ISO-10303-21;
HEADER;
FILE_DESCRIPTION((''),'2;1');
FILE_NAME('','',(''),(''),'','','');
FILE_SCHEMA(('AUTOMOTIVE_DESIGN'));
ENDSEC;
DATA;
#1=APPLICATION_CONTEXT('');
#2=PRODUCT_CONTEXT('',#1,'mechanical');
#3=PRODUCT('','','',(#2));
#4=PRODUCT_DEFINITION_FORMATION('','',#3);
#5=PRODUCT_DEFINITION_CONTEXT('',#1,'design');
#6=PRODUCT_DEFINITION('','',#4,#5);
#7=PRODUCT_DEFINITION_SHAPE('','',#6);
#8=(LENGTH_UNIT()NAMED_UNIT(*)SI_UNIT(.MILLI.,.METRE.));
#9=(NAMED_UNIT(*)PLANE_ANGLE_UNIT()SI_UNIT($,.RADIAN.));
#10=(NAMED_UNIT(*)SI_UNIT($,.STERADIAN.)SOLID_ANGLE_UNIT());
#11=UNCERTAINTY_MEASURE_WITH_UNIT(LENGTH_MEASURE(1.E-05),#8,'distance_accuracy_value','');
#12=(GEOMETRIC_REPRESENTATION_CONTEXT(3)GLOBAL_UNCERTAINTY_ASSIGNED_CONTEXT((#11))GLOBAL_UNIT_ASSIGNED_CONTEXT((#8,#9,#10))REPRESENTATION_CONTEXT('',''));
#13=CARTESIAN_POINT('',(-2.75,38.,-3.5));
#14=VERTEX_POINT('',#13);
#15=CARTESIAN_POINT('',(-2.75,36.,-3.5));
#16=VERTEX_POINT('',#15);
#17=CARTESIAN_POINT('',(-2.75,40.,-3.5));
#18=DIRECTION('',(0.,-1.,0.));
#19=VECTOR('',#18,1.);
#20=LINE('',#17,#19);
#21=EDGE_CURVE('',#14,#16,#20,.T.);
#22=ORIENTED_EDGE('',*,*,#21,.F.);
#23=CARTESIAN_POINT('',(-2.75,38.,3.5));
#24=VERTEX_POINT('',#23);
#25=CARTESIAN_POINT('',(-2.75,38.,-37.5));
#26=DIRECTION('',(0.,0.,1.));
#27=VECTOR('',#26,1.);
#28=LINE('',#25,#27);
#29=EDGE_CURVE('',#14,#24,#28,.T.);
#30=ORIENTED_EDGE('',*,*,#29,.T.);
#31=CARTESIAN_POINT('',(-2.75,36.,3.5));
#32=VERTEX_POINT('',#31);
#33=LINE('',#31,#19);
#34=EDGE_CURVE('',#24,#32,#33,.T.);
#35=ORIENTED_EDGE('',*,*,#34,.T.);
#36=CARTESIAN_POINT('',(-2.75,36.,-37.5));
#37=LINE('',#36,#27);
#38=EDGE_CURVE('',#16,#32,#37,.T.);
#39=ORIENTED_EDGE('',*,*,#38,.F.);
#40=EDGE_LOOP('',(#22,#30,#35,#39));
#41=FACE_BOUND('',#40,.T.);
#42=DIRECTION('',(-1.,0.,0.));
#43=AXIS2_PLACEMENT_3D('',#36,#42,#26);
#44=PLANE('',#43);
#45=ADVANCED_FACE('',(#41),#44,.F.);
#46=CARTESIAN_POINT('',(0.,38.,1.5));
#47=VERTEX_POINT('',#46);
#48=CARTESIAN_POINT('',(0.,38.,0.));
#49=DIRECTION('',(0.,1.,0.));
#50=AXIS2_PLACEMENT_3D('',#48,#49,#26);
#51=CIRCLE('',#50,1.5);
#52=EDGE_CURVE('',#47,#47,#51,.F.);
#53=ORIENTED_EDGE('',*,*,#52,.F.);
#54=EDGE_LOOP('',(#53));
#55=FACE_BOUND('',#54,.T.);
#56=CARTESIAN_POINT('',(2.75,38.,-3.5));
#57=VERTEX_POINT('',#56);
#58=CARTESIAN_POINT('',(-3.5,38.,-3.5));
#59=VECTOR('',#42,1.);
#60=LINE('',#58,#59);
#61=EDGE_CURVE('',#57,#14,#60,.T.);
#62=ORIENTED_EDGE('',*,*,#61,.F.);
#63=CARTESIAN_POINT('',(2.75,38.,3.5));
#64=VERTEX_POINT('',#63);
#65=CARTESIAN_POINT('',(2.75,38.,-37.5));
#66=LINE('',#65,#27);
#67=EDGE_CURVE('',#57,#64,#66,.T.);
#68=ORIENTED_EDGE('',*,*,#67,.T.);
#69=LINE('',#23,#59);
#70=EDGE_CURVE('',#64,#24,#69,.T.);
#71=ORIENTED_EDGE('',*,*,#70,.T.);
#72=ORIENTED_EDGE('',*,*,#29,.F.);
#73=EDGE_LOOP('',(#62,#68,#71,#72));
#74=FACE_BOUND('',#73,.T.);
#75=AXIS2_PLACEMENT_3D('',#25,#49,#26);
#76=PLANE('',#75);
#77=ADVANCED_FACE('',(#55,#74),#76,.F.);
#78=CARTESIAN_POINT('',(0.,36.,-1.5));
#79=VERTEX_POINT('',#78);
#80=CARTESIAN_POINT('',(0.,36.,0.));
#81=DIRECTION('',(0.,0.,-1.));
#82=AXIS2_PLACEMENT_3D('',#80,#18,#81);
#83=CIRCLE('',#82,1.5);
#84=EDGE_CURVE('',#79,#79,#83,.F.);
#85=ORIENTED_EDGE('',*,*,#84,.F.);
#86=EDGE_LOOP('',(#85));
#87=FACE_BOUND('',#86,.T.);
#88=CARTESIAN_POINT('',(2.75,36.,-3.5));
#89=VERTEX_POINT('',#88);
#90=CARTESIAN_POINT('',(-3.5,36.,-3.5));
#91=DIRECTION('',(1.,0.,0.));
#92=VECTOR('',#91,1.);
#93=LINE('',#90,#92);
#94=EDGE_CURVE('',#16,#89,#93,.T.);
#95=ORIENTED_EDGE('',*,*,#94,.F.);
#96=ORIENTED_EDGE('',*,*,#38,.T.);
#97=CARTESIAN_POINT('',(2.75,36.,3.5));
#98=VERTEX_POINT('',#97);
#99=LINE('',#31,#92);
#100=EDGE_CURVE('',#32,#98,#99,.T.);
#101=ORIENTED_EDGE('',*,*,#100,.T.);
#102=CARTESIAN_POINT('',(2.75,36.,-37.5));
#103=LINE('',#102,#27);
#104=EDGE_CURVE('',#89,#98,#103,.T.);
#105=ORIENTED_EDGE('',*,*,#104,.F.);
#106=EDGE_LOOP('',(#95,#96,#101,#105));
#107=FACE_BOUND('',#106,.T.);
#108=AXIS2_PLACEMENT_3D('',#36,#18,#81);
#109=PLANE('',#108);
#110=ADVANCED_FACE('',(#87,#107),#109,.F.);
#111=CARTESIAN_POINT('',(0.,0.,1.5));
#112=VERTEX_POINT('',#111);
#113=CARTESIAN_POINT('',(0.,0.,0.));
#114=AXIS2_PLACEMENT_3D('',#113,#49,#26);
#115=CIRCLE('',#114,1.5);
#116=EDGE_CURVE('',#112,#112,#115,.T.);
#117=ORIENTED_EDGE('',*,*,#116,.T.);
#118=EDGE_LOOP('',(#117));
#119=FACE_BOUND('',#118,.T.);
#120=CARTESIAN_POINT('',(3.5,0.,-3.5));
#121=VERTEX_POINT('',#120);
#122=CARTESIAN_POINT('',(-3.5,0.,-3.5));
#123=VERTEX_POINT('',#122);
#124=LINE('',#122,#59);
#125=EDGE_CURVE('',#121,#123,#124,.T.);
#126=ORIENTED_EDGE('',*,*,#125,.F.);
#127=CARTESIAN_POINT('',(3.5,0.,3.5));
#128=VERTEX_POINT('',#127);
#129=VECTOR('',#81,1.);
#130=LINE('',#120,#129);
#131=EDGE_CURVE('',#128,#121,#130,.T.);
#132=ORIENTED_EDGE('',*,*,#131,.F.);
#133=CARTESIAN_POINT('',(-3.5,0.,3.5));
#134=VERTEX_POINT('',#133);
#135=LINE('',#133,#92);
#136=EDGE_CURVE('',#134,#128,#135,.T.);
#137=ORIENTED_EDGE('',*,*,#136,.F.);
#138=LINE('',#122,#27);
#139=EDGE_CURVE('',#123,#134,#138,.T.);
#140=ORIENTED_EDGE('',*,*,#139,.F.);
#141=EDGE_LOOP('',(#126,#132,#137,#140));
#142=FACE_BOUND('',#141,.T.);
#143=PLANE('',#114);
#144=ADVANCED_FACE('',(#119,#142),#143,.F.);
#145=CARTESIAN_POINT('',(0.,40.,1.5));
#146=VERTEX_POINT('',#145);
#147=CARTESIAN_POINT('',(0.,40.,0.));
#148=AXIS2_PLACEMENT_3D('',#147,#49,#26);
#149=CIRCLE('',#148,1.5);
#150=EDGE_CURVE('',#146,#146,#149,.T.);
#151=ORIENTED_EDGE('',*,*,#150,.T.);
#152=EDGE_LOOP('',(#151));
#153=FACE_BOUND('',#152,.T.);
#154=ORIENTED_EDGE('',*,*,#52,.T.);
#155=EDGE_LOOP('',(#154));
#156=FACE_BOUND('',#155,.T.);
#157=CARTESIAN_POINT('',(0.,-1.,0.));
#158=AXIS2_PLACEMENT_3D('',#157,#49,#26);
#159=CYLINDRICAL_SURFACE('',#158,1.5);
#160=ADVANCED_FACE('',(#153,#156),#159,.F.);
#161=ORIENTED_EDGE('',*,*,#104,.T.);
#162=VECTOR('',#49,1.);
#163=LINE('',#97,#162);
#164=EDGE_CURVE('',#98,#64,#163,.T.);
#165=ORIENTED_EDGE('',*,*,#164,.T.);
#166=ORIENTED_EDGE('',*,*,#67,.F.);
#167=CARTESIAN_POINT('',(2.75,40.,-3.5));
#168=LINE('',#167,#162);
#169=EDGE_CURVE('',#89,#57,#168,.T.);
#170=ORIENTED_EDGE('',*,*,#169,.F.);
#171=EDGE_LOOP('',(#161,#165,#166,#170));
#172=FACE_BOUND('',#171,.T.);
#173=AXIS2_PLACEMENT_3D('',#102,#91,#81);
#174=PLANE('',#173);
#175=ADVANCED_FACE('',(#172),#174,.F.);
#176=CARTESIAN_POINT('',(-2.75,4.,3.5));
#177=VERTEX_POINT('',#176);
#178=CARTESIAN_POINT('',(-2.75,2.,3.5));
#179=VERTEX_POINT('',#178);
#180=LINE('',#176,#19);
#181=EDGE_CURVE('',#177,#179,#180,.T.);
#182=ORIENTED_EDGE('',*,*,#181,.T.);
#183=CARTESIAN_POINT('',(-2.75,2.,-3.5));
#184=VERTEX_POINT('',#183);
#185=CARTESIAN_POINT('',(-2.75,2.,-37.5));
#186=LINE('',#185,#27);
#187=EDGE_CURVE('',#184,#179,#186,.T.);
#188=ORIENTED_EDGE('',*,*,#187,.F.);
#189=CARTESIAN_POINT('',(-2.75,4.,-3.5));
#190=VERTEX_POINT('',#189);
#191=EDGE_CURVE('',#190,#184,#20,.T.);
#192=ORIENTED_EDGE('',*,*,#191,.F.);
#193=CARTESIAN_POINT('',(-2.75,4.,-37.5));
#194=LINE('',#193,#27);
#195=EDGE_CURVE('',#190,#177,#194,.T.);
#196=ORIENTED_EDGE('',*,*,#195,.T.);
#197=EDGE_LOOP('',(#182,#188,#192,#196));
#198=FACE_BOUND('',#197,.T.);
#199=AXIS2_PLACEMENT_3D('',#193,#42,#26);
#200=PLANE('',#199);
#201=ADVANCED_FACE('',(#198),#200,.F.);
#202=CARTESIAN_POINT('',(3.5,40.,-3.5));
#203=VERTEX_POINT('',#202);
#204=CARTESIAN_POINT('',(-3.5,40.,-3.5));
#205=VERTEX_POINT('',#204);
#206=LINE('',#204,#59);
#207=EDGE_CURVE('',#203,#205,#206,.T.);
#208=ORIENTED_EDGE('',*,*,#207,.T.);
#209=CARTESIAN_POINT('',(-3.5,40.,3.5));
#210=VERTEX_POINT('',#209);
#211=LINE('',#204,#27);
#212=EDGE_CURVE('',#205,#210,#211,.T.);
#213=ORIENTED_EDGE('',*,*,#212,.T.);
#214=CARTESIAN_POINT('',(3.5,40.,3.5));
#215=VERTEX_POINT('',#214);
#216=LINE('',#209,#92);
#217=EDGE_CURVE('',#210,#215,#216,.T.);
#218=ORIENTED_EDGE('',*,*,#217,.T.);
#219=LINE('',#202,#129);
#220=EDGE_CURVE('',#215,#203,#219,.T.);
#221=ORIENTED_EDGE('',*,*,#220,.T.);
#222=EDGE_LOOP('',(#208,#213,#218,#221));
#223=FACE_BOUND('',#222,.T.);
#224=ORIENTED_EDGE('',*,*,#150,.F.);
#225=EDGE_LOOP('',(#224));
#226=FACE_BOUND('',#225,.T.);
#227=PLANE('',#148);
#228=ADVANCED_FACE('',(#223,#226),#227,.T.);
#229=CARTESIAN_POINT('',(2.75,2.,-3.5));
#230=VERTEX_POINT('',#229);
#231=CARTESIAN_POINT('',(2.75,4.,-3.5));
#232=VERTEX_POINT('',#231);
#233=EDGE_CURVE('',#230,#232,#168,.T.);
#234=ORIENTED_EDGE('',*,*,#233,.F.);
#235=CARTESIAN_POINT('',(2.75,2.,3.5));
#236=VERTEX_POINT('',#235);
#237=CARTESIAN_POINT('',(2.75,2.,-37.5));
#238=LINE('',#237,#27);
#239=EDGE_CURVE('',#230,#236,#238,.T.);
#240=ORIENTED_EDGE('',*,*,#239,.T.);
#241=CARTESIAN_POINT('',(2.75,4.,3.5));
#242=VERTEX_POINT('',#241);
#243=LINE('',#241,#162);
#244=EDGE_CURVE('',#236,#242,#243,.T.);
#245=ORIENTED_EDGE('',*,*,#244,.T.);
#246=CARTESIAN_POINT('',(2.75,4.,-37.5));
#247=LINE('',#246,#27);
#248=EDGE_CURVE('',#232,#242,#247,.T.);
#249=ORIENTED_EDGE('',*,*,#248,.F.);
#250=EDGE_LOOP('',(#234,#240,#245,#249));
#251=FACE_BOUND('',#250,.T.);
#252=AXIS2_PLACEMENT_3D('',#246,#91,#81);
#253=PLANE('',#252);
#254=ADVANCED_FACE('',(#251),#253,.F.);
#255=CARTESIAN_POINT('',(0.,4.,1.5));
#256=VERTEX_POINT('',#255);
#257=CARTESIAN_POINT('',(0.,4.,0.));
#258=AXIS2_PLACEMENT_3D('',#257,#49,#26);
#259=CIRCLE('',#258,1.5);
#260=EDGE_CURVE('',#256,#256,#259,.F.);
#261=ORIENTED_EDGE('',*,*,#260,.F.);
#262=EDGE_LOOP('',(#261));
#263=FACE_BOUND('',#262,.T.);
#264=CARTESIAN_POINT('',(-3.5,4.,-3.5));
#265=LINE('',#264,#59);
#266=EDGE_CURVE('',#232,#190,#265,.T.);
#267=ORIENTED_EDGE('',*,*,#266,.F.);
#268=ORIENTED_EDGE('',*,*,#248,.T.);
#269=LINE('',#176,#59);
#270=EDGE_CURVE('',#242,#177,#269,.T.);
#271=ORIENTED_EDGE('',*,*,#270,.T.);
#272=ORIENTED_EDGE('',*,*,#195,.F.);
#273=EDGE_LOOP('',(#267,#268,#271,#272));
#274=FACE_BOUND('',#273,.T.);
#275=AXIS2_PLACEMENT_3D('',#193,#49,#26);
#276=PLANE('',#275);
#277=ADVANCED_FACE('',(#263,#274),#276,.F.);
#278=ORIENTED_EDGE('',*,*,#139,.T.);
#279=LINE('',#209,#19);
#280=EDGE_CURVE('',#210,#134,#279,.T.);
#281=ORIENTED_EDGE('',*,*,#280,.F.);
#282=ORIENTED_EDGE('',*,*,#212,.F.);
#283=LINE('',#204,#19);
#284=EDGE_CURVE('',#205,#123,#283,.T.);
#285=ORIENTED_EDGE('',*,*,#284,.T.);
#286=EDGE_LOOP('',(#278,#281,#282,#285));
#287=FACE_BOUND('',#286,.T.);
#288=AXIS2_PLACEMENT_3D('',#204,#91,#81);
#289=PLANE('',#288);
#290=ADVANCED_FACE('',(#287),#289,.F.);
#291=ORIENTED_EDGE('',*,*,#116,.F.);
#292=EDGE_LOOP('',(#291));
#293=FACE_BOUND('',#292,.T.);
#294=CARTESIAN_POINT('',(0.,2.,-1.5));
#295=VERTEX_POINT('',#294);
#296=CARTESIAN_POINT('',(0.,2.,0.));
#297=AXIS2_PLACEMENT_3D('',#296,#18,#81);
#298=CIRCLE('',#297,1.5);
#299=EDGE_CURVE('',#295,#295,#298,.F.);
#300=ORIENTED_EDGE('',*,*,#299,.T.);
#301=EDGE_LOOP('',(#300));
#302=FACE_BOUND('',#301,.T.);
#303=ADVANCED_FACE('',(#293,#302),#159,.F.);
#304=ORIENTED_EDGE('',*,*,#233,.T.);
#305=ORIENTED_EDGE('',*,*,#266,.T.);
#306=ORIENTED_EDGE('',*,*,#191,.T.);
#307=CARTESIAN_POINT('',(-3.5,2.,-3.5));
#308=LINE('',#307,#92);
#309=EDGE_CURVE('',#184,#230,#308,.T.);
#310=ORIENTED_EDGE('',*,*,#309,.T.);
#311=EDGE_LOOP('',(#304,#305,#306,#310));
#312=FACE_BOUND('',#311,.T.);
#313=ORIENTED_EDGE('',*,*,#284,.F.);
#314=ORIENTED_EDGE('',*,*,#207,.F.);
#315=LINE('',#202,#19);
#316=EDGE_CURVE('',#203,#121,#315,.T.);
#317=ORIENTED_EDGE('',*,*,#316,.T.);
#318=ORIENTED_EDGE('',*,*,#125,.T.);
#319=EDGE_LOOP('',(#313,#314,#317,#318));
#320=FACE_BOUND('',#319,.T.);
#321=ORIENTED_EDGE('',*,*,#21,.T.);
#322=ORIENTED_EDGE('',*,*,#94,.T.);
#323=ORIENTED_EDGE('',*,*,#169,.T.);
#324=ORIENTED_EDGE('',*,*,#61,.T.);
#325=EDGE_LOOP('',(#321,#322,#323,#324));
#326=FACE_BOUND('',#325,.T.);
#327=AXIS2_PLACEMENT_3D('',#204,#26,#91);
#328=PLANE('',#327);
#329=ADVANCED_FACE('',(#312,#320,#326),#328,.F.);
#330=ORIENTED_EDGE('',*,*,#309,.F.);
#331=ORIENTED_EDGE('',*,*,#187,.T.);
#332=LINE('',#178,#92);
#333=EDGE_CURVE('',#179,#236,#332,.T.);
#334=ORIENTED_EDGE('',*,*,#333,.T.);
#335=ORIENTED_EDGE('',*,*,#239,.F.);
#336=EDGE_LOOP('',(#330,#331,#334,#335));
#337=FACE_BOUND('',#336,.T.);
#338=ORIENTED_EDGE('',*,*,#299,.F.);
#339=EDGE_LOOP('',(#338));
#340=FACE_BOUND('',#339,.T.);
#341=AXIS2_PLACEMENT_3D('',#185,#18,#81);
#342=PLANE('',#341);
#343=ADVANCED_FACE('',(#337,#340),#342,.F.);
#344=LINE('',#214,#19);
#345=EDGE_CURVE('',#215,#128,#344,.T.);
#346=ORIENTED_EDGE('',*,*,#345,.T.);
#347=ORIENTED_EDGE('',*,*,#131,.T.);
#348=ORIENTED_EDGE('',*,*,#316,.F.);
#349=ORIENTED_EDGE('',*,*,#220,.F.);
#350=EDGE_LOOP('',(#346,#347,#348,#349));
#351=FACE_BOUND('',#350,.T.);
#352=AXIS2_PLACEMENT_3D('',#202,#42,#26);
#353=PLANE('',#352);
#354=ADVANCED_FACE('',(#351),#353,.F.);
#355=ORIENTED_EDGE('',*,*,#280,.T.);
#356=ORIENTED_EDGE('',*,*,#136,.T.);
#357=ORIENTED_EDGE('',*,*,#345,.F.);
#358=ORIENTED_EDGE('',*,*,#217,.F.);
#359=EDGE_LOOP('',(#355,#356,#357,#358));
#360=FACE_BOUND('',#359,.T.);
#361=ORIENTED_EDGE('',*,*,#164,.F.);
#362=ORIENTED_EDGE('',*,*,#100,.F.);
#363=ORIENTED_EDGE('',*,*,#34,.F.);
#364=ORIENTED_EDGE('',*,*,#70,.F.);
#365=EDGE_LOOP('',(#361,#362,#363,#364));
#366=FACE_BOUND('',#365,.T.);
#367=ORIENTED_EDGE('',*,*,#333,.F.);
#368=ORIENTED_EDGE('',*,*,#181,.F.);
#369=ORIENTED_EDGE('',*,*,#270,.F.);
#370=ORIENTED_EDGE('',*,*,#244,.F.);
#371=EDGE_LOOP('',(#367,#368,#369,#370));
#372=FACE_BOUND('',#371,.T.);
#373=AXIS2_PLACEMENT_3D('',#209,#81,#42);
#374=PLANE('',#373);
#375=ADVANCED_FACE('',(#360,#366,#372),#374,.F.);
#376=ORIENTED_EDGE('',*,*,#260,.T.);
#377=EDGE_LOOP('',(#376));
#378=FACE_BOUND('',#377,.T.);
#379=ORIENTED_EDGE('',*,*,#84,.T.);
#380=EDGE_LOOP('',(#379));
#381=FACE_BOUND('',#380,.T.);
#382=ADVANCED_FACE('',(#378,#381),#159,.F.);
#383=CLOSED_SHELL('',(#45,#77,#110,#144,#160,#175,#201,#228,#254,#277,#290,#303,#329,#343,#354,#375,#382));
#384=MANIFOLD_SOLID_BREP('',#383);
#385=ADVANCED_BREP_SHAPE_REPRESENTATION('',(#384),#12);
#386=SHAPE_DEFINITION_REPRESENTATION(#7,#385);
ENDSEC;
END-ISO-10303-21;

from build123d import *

# Parameters (mm, degrees)
SKETCH1_W           = 7
SKETCH1_H           = 7
BOSS_EXTRUDE1_DEPTH = 40
SKETCH2_R           = 1.5
CUT_EXTRUDE1_DEPTH  = 41
SKETCH3_W           = 5.5
SKETCH3_H           = 2
CUT_EXTRUDE2_DEPTH  = 41


with BuildPart() as part:
    # Sketch1 → Boss-Extrude1 (new body)
    with BuildSketch(Plane(origin=(0, 0, 0), x_dir=(1, 0, 0), z_dir=(0, 1, 0))):
        Rectangle(SKETCH1_W, SKETCH1_H)
    extrude(amount=BOSS_EXTRUDE1_DEPTH)

    # Sketch2 → Cut-Extrude1 (cut)
    with BuildSketch(Plane(origin=(0, 40, 0), x_dir=(1, 0, 0), z_dir=(0, 1, 0))):
        Circle(SKETCH2_R)
    extrude(amount=-CUT_EXTRUDE1_DEPTH, mode=Mode.SUBTRACT)

    # Sketch3 → Cut-Extrude2 (cut)
    with BuildSketch(Plane.XY.offset(3.5)):
        with Locations((0, 3)):
            Rectangle(SKETCH3_W, SKETCH3_H)
        with Locations((0, 37)):
            Rectangle(SKETCH3_W, SKETCH3_H)
    extrude(amount=-CUT_EXTRUDE2_DEPTH, mode=Mode.SUBTRACT)


solid = part.part
